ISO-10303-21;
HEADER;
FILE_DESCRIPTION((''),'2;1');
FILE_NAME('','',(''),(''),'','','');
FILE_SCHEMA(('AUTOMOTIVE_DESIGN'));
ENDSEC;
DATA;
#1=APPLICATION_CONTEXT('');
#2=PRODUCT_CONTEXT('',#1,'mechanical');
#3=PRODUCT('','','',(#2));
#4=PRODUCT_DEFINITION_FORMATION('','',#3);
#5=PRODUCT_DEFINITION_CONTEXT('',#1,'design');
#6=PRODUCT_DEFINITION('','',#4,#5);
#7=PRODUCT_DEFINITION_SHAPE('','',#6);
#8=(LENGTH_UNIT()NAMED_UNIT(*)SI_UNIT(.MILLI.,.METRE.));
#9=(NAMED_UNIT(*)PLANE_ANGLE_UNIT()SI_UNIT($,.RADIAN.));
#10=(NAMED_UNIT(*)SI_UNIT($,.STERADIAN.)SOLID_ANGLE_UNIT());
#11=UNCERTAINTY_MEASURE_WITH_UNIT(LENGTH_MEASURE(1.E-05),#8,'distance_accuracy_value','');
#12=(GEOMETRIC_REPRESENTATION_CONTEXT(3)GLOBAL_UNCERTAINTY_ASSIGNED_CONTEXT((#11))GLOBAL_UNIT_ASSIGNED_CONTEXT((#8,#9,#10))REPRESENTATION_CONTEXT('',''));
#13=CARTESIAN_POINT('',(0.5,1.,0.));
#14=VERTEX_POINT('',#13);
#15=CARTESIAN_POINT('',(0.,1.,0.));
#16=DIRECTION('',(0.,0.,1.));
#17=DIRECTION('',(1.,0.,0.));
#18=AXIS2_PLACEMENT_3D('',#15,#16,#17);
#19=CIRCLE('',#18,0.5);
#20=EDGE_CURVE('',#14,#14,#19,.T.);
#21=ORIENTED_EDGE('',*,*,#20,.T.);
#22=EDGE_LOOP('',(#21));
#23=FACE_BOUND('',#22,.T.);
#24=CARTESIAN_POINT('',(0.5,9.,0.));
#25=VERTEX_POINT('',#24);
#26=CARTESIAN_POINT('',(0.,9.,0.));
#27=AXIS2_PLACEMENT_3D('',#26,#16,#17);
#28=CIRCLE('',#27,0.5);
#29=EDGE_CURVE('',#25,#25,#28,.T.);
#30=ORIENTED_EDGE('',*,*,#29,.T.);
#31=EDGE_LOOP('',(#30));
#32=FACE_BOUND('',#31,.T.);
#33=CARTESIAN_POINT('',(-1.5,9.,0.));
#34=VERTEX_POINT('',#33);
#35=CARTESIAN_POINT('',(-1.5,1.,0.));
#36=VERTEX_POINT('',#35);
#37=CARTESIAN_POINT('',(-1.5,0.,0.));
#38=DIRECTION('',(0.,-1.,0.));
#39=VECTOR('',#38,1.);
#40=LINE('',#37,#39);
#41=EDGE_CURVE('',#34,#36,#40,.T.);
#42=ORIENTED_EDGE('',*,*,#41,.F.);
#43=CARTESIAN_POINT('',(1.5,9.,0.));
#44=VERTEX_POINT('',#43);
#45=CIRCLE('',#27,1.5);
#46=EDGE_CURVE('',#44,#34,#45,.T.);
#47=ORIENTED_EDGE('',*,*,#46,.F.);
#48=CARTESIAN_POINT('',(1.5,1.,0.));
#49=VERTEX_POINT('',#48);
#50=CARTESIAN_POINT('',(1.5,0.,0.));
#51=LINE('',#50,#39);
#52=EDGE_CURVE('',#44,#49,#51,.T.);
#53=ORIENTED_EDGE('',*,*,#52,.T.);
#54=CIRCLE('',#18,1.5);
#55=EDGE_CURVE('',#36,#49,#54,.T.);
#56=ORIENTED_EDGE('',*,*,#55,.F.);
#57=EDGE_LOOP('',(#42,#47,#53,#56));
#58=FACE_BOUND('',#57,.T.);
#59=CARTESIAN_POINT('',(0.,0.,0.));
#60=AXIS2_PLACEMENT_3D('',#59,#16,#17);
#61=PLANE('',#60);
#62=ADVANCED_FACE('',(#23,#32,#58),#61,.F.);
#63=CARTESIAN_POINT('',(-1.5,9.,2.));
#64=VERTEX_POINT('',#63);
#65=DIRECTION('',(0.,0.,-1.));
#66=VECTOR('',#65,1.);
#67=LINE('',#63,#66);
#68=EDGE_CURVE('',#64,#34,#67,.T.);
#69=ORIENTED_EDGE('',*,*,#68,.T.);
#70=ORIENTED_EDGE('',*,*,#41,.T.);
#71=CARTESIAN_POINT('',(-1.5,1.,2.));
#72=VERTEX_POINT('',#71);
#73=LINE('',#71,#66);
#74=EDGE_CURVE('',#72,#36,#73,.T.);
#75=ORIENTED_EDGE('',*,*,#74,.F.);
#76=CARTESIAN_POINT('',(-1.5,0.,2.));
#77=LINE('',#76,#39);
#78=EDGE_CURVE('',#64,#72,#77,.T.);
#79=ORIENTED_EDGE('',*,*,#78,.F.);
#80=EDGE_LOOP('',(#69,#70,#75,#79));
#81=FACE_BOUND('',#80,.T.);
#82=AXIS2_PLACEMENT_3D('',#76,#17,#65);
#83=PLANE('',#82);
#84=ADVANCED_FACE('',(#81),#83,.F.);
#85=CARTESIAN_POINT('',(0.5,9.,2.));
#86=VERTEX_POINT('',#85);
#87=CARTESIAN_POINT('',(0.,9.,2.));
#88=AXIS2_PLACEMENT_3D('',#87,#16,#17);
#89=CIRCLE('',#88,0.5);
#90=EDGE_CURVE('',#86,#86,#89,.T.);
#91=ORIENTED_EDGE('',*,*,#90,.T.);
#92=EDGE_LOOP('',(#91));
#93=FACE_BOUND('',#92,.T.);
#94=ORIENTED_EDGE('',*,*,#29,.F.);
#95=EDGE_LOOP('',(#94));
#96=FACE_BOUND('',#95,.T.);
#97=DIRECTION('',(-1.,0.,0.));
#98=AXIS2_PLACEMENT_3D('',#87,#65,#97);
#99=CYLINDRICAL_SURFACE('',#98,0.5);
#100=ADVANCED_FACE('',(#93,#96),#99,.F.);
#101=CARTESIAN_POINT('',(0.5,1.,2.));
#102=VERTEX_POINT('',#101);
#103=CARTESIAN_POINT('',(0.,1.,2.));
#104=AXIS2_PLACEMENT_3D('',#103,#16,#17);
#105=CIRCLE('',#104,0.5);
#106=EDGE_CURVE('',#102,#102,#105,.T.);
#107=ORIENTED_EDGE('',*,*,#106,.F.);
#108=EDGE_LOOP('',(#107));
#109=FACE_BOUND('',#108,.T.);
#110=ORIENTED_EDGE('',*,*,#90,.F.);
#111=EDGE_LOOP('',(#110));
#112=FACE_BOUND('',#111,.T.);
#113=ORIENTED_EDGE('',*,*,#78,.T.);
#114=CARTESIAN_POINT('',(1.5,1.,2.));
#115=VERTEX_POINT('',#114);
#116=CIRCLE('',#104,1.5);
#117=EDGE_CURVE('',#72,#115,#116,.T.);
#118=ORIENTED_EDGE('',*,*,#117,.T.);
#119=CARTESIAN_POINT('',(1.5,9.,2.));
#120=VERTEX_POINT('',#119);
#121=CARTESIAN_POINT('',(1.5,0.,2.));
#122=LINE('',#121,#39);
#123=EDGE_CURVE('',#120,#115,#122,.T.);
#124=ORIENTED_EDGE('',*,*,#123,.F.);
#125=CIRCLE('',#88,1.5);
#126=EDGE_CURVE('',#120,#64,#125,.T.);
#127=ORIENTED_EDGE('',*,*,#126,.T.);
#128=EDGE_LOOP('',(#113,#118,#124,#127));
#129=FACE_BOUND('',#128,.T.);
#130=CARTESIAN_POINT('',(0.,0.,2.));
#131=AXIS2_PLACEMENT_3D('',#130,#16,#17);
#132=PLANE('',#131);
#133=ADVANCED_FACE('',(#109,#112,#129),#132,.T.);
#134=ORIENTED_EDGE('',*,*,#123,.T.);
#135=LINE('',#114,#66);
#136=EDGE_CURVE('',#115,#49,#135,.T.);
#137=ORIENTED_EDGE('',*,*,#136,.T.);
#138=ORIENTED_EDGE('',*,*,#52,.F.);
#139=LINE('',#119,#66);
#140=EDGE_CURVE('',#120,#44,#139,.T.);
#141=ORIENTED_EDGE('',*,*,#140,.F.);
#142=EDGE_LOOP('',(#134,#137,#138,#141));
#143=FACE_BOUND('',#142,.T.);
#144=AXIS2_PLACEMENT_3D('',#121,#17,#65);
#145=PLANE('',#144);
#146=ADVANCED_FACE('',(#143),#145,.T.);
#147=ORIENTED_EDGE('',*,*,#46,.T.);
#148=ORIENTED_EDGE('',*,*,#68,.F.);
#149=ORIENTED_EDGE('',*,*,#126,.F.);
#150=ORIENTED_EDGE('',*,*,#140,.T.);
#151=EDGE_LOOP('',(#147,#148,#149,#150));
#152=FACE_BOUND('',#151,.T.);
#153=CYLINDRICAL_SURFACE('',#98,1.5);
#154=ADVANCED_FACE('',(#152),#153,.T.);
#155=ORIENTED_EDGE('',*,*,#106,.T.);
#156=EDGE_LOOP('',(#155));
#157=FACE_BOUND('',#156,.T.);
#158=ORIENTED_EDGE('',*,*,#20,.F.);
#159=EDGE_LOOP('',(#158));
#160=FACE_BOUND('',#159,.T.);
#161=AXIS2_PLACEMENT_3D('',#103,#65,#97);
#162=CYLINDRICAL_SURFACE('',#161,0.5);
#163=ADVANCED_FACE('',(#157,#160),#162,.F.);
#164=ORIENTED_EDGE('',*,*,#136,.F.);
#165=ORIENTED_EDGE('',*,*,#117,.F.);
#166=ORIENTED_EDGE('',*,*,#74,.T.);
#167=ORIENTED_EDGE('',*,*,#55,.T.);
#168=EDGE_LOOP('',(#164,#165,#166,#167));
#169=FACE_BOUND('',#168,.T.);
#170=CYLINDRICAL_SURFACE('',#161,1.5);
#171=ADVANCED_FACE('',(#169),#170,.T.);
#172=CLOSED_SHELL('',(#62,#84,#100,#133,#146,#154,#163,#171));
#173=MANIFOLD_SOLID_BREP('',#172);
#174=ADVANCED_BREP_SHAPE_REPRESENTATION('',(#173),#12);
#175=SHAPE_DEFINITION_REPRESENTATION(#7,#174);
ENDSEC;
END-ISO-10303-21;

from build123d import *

# Parameters (mm, degrees)
ESQUISSE1_R        = 0.5
BOSS_EXTRU_1_DEPTH = 2


with BuildPart() as part:
    # Esquisse1 → Boss.-Extru.1 (new body)
    with BuildSketch(Plane.XY):
        with BuildLine():
            Line((-1.5, 9), (-1.5, 1))
            ThreePointArc((-1.5, 1), (0, -0.5), (1.5, 1))
            Line((1.5, 1), (1.5, 9))
            ThreePointArc((1.5, 9), (0, 10.5), (-1.5, 9))
        make_face()
        with Locations((0, 1)):
            Circle(ESQUISSE1_R, mode=Mode.SUBTRACT)
        with Locations((0, 9)):
            Circle(ESQUISSE1_R, mode=Mode.SUBTRACT)
    extrude(amount=BOSS_EXTRU_1_DEPTH)


solid = part.part
